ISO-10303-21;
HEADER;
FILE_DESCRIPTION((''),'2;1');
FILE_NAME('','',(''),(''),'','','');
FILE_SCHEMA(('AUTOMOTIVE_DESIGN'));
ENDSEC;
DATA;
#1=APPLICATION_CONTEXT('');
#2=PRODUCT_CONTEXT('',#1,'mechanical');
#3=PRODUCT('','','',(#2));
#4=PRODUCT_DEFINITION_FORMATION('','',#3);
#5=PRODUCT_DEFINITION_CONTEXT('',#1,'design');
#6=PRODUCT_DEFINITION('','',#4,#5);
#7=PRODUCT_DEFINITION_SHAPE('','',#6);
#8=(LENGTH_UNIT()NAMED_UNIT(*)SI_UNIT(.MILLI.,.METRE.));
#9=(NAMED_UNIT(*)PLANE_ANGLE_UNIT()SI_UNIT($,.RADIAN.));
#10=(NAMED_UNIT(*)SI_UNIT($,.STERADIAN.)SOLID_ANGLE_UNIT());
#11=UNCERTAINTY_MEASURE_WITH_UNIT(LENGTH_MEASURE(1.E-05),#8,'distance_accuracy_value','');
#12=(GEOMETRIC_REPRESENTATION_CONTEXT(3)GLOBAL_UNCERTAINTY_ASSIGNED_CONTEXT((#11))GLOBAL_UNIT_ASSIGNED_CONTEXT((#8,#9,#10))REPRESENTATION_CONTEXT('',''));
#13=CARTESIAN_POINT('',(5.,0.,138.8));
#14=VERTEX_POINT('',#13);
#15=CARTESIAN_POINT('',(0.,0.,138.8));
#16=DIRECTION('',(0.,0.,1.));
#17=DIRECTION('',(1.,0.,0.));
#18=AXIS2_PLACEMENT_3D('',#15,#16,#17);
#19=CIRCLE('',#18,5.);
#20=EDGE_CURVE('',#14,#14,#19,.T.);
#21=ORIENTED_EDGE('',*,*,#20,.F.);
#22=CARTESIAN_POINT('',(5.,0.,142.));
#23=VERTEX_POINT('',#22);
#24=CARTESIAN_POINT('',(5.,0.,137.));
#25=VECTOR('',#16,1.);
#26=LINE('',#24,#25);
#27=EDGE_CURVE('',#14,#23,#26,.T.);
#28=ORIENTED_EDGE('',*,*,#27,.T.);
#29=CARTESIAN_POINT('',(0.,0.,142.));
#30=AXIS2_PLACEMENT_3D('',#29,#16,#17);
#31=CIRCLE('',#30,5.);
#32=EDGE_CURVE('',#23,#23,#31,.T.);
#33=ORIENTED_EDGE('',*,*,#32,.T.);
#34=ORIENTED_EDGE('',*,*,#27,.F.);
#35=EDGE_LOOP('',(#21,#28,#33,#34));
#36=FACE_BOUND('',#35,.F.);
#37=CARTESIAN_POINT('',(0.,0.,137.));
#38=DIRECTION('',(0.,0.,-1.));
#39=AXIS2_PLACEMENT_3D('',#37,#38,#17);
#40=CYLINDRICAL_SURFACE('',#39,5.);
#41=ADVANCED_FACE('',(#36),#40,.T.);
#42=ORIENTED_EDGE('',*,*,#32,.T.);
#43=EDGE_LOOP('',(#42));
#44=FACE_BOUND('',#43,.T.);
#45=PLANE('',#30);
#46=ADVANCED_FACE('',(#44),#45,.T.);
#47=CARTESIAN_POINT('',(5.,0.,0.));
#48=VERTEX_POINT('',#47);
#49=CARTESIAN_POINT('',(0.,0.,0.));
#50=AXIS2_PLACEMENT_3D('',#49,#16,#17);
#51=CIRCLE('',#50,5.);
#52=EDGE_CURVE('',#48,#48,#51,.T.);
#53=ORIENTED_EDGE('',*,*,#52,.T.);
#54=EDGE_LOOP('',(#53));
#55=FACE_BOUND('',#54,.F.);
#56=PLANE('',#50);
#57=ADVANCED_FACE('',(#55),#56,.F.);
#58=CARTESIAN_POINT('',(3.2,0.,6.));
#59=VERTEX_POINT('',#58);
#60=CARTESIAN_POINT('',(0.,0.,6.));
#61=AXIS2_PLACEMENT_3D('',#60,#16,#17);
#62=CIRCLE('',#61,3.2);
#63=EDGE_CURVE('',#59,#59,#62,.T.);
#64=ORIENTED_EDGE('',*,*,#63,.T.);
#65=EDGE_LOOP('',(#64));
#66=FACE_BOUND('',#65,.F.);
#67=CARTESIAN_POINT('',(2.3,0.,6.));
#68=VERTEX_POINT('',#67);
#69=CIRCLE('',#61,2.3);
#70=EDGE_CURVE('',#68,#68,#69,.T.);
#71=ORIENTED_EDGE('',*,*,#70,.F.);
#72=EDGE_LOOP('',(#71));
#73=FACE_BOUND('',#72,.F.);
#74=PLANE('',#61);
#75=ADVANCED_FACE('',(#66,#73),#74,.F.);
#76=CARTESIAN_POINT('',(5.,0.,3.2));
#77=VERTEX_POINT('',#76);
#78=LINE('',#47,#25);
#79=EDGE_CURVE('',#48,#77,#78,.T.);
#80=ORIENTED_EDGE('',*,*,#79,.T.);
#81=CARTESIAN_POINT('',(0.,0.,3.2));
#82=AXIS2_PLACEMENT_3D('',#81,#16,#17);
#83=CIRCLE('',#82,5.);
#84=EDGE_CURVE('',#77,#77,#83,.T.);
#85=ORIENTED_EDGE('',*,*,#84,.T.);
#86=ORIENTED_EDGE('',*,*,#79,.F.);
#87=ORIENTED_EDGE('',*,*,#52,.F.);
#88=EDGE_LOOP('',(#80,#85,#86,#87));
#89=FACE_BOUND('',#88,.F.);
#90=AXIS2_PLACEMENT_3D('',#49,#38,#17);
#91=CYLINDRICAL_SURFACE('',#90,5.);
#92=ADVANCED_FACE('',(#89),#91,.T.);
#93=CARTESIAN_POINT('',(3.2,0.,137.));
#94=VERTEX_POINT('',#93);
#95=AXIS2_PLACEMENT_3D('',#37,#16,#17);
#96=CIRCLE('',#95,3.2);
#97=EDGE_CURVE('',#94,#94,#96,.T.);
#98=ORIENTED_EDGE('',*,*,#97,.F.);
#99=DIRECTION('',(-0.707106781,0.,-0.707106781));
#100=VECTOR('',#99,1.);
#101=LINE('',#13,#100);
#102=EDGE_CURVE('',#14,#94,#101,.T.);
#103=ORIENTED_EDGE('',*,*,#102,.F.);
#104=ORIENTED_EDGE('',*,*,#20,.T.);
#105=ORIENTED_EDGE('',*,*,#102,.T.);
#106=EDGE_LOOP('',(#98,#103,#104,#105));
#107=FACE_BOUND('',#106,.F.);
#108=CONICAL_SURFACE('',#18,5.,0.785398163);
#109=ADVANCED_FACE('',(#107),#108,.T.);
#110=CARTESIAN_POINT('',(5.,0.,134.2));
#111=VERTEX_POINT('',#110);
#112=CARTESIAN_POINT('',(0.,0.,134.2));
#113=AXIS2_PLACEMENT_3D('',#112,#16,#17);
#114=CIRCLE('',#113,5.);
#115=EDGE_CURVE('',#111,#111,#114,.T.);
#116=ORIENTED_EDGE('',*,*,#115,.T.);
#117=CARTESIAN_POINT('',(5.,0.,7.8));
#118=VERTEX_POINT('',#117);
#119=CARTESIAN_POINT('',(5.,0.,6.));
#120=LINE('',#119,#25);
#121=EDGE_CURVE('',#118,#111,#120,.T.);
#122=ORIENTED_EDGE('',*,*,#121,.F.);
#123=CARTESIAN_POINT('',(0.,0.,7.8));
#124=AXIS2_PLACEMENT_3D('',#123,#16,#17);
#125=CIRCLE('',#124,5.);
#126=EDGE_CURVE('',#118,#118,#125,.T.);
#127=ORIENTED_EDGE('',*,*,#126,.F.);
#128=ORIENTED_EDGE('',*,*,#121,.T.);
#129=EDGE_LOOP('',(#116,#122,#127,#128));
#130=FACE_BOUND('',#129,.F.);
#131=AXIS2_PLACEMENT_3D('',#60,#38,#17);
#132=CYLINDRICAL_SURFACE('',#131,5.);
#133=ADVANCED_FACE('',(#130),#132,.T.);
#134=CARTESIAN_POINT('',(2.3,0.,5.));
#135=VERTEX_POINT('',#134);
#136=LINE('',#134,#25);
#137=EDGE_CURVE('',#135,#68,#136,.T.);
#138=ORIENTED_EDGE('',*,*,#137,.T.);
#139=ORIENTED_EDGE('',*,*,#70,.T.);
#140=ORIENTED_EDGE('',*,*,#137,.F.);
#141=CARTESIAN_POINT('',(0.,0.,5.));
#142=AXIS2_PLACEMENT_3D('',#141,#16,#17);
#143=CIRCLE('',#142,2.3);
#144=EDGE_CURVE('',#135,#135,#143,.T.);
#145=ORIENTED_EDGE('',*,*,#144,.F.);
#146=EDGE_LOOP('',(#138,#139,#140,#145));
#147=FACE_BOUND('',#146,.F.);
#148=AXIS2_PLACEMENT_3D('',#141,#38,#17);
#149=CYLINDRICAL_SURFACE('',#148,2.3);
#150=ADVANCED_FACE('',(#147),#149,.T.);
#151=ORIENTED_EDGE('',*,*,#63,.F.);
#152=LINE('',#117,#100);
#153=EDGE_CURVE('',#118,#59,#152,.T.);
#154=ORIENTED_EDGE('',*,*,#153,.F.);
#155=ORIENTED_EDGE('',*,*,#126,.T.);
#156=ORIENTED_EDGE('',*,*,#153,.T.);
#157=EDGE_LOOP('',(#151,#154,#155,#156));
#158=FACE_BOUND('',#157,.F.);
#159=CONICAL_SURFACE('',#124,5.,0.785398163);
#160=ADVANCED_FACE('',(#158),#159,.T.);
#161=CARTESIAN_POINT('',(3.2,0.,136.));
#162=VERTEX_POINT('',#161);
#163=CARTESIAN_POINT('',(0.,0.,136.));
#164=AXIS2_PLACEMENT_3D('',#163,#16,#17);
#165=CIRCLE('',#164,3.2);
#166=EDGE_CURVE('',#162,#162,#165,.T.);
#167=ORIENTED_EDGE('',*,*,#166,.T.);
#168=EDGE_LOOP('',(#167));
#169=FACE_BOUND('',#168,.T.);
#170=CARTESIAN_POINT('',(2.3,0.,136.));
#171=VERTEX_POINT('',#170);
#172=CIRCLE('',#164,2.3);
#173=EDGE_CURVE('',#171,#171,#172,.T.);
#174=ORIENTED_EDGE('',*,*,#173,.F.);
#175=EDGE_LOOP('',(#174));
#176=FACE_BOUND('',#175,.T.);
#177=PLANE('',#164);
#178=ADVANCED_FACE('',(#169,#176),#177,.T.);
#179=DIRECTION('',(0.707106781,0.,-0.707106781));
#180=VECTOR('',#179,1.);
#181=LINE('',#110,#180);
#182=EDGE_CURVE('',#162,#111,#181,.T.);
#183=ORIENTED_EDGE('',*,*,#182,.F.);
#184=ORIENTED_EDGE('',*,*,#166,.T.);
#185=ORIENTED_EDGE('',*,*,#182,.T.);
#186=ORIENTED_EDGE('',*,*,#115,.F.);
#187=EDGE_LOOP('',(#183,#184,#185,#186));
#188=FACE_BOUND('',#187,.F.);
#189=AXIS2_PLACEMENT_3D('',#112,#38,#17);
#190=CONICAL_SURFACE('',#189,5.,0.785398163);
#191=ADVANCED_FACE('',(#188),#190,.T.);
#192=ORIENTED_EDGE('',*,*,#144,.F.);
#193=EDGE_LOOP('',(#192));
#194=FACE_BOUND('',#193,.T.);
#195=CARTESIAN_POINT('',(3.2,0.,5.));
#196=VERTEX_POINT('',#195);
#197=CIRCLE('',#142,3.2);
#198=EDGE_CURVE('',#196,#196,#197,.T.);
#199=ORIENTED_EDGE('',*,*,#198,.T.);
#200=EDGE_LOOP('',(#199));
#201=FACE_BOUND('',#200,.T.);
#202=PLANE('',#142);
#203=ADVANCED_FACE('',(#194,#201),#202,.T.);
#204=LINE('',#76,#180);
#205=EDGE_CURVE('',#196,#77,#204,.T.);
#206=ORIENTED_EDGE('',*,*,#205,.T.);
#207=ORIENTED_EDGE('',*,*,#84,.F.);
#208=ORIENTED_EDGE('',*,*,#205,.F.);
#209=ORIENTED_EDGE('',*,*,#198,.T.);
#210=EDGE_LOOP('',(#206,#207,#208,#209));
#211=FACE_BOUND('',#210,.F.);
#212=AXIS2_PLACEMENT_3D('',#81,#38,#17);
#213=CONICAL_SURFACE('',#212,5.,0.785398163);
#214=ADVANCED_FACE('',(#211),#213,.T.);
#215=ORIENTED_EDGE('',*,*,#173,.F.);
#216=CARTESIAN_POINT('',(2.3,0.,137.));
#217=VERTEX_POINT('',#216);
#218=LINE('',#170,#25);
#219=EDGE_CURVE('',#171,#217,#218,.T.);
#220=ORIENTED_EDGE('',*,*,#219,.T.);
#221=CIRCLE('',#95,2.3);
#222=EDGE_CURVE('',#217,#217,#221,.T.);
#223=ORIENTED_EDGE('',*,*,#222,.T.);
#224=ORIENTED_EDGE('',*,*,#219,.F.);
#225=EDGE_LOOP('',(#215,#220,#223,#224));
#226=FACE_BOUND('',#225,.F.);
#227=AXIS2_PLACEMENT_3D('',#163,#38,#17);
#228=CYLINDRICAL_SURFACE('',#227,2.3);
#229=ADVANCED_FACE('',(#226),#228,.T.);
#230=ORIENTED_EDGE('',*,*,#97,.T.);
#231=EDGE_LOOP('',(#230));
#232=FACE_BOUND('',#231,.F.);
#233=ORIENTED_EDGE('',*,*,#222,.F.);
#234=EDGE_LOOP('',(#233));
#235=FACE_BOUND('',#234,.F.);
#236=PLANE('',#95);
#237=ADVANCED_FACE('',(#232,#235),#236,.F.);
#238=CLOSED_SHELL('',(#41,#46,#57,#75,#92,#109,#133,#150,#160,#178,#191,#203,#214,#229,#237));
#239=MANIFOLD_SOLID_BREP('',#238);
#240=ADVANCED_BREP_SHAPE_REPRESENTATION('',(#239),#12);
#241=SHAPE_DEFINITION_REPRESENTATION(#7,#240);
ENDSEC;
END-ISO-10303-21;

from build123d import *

# Parameters (mm, degrees)
F0_R     = 5
F0_R_2   = 2.3
F1_DEPTH = 5
F2_START = 5
F2_DEPTH = 1
F3_START = 6
F3_DEPTH = 130
F4_START = 136
F4_DEPTH = 1
F5_START = 137
F5_DEPTH = 5
F6_SIZE  = 1.8


with BuildPart() as f1:
    # F0 (on Top) → F1 (new body)
    with BuildSketch(Plane.XY):
        Circle(F0_R)
        Circle(F0_R_2, mode=Mode.SUBTRACT)
        Circle(F0_R_2)
    extrude(amount=F1_DEPTH)

    # F0 (on Top) → F2 (join)
    with BuildSketch(Plane.XY.offset(F2_START)):
        Circle(F0_R_2)
    extrude(amount=F2_DEPTH)

    # F0 (on Top) → F3 (join)
    with BuildSketch(Plane.XY.offset(F3_START)):
        Circle(F0_R)
        Circle(F0_R_2, mode=Mode.SUBTRACT)
        Circle(F0_R_2)
    extrude(amount=F3_DEPTH)

    # F0 (on Top) → F4 (join)
    with BuildSketch(Plane.XY.offset(F4_START)):
        Circle(F0_R_2)
    extrude(amount=F4_DEPTH)

    # F0 (on Top) → F5 (join)
    with BuildSketch(Plane.XY.offset(F5_START)):
        Circle(F0_R)
        Circle(F0_R_2, mode=Mode.SUBTRACT)
        Circle(F0_R_2)
    extrude(amount=F5_DEPTH)

    # F6
    f6_edges = [f1.edges().sort_by_distance(p)[0] for p in [
        (-5, 0, 136),
        (-5, 0, 137),
        (-5, 0, 6),
        (-5, 0, 5),
    ]]
    chamfer(f6_edges, length=F6_SIZE)


solid = f1.part
